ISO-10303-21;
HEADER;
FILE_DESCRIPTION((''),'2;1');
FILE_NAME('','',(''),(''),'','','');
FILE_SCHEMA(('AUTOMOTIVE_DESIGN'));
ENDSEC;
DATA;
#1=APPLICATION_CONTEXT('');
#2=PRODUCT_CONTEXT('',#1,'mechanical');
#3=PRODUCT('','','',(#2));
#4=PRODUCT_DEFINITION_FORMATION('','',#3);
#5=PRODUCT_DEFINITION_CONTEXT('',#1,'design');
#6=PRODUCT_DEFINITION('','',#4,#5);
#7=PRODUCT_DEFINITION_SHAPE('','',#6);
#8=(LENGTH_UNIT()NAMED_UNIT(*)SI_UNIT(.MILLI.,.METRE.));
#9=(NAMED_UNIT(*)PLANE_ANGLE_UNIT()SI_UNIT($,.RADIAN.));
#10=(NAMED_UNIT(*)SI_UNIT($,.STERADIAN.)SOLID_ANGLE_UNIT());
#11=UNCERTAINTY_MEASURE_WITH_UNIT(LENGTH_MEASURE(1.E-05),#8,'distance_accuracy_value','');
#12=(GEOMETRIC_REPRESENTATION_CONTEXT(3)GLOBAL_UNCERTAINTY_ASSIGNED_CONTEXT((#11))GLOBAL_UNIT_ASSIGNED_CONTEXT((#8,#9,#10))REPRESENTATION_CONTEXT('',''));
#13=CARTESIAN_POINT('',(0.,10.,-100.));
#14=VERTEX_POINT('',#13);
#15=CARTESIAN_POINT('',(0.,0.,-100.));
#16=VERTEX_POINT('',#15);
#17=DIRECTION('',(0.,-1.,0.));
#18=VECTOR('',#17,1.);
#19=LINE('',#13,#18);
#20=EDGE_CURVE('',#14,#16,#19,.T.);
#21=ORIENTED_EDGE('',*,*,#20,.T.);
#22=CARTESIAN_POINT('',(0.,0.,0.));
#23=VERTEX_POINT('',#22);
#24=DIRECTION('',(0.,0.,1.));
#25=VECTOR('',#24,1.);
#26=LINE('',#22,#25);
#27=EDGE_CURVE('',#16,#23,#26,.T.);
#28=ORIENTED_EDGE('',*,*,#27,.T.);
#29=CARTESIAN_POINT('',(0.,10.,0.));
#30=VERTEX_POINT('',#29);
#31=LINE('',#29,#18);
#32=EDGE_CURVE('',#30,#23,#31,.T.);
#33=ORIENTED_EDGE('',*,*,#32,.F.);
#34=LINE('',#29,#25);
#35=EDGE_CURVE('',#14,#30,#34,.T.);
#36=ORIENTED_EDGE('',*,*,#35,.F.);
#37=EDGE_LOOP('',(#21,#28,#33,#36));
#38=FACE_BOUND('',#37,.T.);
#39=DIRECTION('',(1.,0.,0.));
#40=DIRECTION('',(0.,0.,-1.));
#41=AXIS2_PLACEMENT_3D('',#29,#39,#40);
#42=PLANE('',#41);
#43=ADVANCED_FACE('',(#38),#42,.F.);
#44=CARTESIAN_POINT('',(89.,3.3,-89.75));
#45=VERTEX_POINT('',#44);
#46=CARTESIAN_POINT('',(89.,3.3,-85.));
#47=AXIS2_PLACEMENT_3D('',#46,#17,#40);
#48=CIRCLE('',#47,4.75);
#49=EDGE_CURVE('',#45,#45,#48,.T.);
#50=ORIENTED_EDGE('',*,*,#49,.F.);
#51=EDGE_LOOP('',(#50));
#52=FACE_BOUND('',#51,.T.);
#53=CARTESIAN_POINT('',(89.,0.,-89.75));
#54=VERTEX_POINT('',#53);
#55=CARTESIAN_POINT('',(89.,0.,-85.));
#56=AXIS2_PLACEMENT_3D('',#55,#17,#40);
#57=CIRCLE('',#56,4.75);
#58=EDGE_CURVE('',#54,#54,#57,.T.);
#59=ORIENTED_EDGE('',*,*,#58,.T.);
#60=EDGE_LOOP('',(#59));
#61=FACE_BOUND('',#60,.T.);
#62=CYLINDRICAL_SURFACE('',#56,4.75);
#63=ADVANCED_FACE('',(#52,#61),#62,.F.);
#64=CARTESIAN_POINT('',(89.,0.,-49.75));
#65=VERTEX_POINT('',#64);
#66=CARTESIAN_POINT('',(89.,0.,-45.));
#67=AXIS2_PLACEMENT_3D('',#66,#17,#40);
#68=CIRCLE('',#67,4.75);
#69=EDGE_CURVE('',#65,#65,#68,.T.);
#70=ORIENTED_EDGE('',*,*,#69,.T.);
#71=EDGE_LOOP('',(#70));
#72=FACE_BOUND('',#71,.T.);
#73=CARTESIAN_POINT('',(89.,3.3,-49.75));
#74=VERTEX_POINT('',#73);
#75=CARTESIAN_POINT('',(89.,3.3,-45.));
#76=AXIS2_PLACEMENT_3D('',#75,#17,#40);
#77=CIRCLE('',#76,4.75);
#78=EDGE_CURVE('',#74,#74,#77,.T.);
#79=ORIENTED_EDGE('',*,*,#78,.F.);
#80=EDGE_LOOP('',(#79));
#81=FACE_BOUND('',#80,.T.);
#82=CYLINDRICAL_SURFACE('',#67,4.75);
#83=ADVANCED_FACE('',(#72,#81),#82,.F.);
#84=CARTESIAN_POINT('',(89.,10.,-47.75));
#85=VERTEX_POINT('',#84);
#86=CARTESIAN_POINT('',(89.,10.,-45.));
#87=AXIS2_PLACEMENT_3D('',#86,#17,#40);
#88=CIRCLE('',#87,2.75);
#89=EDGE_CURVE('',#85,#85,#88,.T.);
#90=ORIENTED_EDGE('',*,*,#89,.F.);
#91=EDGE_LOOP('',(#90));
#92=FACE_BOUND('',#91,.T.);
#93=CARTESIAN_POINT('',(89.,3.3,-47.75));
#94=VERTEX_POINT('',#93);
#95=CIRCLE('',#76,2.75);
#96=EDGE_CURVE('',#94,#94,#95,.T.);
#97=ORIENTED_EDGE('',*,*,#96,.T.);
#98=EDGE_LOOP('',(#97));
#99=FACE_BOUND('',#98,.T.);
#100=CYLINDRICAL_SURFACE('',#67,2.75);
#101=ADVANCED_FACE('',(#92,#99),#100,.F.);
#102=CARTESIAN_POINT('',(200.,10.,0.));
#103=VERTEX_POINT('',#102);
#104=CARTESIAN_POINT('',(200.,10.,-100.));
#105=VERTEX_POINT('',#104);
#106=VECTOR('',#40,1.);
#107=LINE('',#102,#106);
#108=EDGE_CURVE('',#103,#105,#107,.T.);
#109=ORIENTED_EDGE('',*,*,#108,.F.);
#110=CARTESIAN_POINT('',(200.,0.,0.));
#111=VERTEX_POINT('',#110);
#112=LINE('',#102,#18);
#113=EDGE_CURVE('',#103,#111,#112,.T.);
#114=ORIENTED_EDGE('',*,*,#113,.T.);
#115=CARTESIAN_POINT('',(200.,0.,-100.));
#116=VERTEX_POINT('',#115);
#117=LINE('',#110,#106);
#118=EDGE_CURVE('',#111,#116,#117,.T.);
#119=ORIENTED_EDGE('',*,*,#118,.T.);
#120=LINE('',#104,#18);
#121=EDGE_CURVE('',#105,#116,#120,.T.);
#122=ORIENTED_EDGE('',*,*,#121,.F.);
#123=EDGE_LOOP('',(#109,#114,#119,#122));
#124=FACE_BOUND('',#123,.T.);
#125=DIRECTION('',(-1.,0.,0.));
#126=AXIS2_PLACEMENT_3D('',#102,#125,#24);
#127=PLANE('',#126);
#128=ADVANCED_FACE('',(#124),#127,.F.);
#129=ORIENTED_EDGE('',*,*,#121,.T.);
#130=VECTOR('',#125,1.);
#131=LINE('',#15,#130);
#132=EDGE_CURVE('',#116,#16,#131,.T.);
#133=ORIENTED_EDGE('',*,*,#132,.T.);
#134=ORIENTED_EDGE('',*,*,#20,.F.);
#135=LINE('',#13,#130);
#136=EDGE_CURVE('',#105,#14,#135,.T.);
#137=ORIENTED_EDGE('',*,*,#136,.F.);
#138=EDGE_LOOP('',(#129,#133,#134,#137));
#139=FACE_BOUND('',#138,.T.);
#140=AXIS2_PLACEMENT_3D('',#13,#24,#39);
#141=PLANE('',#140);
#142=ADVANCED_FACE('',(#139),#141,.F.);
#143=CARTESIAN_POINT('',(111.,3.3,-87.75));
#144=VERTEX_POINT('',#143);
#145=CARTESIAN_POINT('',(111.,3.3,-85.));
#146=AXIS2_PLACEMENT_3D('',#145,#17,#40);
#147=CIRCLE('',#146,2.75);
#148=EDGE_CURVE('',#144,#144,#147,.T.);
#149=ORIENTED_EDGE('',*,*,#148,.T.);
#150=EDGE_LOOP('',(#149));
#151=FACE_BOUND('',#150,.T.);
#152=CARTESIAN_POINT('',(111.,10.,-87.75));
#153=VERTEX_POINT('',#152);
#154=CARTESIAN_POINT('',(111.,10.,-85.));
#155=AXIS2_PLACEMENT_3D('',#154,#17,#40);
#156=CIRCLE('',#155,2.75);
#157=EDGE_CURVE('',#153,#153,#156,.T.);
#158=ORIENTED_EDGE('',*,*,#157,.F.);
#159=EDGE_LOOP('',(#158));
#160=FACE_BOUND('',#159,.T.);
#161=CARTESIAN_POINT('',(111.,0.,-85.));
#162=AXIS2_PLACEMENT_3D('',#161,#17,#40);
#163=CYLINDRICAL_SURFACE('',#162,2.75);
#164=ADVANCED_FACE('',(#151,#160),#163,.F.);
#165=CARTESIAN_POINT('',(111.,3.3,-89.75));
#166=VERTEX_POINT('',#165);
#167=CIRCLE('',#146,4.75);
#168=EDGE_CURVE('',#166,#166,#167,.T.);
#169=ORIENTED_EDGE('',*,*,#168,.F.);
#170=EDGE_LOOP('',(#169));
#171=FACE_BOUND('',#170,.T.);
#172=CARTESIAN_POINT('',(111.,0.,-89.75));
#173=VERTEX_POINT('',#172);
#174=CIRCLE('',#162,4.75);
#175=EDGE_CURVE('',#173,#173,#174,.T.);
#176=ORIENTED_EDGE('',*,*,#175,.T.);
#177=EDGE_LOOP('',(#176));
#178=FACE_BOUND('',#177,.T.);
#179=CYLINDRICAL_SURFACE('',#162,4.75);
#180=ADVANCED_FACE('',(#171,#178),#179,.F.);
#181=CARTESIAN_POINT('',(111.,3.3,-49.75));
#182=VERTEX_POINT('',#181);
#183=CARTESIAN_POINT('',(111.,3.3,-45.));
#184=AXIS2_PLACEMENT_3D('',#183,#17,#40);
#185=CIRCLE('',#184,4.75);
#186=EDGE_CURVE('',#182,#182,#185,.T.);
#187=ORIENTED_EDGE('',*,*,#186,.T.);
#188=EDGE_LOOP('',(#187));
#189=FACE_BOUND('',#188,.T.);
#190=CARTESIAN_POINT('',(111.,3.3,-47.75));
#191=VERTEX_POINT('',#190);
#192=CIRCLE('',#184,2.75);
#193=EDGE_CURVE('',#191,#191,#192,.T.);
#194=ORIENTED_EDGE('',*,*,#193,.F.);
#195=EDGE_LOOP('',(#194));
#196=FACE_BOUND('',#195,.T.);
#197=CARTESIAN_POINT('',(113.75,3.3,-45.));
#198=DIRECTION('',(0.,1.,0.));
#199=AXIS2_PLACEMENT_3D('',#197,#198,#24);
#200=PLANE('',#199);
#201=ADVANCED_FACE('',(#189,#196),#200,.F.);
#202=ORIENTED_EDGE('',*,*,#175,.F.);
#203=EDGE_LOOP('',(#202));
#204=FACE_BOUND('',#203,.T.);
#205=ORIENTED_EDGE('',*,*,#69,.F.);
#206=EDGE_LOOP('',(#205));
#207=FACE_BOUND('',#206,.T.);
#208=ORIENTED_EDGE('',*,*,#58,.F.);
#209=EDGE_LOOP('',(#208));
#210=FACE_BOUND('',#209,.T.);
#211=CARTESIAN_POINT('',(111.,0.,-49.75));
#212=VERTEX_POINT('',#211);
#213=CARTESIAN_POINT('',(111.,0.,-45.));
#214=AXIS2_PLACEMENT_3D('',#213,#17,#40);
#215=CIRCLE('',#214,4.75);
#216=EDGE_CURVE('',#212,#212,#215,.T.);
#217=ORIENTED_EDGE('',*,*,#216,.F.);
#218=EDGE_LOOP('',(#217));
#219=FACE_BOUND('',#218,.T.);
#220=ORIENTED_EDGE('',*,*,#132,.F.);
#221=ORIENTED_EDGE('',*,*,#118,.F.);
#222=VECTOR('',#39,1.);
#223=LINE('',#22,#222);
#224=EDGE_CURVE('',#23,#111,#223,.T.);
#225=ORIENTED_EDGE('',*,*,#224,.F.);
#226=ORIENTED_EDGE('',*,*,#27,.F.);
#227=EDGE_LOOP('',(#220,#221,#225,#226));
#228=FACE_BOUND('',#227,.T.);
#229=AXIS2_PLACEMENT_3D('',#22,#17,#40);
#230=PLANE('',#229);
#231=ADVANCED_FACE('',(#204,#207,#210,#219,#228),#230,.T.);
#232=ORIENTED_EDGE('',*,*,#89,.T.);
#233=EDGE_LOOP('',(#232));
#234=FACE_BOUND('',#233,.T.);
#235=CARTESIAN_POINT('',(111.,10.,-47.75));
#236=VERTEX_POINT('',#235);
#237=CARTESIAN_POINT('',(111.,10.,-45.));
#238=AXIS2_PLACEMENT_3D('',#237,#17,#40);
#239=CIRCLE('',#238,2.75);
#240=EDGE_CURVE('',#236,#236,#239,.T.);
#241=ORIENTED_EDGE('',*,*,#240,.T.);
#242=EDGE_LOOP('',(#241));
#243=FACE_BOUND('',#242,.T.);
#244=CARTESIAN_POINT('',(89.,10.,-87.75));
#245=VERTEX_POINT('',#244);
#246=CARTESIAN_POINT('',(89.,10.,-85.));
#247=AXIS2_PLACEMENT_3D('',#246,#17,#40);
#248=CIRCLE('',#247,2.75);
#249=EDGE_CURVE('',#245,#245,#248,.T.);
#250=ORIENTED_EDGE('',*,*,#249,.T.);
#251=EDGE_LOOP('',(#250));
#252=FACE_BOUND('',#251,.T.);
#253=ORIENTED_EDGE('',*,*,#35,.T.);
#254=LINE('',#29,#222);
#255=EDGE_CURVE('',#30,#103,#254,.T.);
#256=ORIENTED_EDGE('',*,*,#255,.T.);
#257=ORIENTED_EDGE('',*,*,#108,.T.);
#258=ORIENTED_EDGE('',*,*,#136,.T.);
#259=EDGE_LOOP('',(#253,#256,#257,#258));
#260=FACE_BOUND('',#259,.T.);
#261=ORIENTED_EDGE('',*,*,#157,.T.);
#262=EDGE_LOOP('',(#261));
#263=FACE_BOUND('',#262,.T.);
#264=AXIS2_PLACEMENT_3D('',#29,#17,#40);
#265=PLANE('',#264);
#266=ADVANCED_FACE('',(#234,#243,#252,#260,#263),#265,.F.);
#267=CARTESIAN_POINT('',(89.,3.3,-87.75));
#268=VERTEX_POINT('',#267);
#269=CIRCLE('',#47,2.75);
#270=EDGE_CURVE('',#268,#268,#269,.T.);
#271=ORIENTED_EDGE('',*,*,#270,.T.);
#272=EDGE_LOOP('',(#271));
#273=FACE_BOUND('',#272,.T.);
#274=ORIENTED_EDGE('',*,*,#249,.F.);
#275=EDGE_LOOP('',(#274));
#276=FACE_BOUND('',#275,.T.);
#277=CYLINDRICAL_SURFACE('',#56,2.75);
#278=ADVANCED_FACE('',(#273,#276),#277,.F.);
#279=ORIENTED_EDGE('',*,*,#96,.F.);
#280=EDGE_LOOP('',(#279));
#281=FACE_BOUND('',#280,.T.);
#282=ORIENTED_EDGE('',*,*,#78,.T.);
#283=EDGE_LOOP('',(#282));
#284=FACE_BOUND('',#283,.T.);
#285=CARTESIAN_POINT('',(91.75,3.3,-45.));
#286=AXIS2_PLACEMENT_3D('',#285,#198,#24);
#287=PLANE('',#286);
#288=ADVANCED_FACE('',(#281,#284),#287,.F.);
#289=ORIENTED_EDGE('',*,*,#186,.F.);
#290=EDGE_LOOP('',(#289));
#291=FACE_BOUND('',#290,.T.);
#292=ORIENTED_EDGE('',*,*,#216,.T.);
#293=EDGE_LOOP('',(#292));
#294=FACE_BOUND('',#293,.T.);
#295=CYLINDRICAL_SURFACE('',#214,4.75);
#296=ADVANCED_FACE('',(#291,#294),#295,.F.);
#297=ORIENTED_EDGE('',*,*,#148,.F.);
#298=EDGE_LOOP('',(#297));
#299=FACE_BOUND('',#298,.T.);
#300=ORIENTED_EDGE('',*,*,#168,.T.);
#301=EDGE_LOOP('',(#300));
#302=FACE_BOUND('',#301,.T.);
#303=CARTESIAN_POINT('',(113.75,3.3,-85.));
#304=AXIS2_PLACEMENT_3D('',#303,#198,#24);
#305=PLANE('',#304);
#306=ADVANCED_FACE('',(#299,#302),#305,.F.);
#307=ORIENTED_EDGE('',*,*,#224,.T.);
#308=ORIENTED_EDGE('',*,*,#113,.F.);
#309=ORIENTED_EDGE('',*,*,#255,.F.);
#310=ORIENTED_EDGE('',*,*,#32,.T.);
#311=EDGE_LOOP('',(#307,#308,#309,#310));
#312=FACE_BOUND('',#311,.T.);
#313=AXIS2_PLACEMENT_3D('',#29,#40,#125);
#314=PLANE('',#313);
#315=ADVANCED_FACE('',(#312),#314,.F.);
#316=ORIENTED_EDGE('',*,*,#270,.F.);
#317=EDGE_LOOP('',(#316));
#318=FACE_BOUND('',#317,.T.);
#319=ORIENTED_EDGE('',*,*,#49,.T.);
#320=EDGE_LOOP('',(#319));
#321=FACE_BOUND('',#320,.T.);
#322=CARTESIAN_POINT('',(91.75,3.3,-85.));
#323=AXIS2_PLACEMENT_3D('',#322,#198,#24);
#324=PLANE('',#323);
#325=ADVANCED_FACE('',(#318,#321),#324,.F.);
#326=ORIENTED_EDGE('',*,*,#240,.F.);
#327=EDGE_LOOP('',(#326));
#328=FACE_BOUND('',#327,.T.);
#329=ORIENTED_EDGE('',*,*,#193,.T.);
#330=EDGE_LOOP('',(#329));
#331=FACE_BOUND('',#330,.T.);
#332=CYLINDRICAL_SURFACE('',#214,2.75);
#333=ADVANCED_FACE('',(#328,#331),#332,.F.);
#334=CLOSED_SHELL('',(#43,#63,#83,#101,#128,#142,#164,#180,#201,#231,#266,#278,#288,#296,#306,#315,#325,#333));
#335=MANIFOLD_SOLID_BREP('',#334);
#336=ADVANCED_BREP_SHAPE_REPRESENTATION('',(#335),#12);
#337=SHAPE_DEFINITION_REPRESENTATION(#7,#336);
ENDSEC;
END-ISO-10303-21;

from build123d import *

# Parameters (mm, degrees)
SKETCH_1_W                   = 200
SKETCH_1_H                   = 100
EXTRUDE_1_DEPTH              = 10
HOLE_WIZARD_M5_2_D           = 5.5
HOLE_WIZARD_M5_2_CBORE_D     = 9.5
HOLE_WIZARD_M5_2_CBORE_DEPTH = 3.3


with BuildPart() as part:
    # 스케치1 → 보스-돌출1 (new body)
    with BuildSketch(Plane(origin=(0, 0, 0), x_dir=(1, 0, 0), z_dir=(0, 1, 0))):
        with Locations((100, 50)):
            Rectangle(SKETCH_1_W, SKETCH_1_H)
    extrude(amount=EXTRUDE_1_DEPTH)

    # M5 치즈머리 홈붙이 머리용 카운터보어2 (through all)
    with Locations(Plane(origin=(89, 0, -45), x_dir=(0, 0, -1), z_dir=(0, -1, 0))):
        with Locations((0, 0), (0, 22), (40, 22), (40, 0)):
            CounterBoreHole(HOLE_WIZARD_M5_2_D / 2, HOLE_WIZARD_M5_2_CBORE_D / 2, HOLE_WIZARD_M5_2_CBORE_DEPTH)


solid = part.part
